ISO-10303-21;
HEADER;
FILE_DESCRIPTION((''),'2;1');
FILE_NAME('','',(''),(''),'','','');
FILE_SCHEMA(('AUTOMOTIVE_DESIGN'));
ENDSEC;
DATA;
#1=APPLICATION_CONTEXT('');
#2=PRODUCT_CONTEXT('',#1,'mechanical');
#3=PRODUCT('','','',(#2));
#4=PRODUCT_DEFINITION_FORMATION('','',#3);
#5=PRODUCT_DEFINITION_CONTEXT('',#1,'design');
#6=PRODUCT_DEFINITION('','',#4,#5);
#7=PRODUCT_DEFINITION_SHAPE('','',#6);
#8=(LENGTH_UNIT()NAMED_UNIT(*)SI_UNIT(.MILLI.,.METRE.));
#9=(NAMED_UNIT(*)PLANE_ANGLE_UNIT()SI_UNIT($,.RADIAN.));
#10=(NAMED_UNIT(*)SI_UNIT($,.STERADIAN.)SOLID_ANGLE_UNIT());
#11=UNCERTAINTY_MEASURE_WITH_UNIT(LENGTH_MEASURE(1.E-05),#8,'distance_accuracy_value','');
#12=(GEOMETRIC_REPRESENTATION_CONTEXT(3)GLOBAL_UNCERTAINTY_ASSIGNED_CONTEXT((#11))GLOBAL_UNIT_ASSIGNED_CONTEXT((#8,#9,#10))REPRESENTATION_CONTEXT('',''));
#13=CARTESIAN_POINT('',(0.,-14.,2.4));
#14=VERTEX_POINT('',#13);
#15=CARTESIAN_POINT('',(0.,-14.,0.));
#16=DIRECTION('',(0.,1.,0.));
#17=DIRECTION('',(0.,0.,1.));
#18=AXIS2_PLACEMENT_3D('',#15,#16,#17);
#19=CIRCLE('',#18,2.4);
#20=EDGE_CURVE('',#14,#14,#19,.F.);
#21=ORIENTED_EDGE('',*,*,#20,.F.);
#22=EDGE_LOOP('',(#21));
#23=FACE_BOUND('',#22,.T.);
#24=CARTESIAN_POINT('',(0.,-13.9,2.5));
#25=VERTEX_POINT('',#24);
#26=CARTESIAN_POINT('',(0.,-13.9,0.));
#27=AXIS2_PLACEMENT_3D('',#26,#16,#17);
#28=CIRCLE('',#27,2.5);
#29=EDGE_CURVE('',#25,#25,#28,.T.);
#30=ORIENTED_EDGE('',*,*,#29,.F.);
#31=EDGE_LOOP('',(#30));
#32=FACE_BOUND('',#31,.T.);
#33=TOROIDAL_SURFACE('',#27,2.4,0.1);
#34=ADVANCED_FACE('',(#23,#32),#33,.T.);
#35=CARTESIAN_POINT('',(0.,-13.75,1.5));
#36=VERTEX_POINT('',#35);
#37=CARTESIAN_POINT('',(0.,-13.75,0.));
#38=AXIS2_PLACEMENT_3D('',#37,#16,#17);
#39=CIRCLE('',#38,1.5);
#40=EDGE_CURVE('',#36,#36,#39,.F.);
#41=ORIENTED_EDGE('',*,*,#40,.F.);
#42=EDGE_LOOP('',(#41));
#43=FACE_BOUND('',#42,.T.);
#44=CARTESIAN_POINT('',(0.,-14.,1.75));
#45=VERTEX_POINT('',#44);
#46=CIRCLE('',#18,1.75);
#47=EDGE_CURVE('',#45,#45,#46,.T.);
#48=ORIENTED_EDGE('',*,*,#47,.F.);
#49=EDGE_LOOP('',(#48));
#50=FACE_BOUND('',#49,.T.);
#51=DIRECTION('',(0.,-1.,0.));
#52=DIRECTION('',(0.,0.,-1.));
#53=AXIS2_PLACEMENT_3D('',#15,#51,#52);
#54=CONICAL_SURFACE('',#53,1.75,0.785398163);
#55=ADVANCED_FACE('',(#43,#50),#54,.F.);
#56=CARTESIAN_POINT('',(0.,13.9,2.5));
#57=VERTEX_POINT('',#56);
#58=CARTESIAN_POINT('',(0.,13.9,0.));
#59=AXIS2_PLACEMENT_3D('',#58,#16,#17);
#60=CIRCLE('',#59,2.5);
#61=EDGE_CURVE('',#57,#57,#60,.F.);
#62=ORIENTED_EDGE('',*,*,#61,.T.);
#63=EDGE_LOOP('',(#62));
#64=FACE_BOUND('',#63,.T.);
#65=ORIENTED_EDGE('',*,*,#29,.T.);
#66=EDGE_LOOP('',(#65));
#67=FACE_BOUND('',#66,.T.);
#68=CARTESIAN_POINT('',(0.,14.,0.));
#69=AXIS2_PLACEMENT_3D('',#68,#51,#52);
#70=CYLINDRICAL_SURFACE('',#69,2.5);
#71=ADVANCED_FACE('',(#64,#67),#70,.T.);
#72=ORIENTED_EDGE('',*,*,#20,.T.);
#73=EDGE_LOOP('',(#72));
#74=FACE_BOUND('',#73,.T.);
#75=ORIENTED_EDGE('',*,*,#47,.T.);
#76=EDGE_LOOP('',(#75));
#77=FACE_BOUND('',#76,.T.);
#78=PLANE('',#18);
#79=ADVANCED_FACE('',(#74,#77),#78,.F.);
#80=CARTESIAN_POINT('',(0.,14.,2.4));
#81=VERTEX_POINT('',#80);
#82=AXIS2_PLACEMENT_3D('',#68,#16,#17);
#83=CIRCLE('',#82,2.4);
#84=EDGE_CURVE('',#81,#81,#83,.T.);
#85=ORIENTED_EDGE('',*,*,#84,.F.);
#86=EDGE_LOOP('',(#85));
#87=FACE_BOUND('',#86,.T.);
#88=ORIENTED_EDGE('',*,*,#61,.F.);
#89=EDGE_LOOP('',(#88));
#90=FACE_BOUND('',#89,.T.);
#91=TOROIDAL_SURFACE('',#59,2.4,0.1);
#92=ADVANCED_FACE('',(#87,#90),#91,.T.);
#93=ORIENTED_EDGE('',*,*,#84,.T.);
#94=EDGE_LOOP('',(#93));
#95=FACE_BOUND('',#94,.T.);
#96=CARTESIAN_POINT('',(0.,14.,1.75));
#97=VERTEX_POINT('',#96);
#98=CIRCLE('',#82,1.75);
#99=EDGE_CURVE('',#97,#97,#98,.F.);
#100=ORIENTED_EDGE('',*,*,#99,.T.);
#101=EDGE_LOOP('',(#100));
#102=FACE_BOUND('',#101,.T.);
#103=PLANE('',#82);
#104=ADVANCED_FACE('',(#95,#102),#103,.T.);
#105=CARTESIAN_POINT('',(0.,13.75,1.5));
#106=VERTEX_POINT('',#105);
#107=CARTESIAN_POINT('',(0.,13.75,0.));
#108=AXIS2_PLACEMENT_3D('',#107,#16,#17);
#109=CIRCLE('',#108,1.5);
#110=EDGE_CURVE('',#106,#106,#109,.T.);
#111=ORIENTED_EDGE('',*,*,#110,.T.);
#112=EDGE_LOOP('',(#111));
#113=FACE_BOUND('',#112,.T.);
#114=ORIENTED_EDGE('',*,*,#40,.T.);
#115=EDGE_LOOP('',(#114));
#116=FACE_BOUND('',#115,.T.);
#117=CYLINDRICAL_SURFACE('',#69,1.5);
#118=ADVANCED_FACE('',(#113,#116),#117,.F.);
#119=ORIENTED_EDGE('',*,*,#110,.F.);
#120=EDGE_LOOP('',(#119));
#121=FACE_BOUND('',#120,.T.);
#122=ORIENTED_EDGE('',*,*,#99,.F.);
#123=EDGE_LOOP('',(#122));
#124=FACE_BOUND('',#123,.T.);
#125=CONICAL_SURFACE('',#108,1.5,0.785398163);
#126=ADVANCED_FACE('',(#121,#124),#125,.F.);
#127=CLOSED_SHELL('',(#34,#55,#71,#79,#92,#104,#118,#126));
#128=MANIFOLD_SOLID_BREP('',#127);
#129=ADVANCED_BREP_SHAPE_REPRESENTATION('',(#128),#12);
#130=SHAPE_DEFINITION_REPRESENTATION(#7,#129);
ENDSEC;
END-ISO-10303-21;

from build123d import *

# Parameters (mm, degrees)
SKETCH1_R           = 2.5
SKETCH1_R_2         = 1.5
BOSS_EXTRUDE1_DEPTH = 14
CHAMFER1_SIZE       = 0.25
FILLET1_R           = 0.1


with BuildPart() as part:
    # Sketch1 → Boss-Extrude1 (new, symmetric)
    with BuildSketch(Plane(origin=(0, 0, 0), x_dir=(1, 0, 0), z_dir=(0, 1, 0))):
        with Locations(Location((0, 0, 0), (0, 0, 270))):
            Circle(SKETCH1_R)
        with Locations(Location((0, 0, 0), (0, 0, 270))):
            Circle(SKETCH1_R_2, mode=Mode.SUBTRACT)
    extrude(amount=BOSS_EXTRUDE1_DEPTH, both=True)

    # Chamfer1
    chamfer1_edges = [part.edges().sort_by_distance(p)[0] for p in [
        (0, -14, -1.5),
        (0, 14, -1.5),
    ]]
    chamfer(chamfer1_edges, length=CHAMFER1_SIZE)

    # Fillet1
    fillet1_edges = [part.edges().sort_by_distance(p)[0] for p in [
        (0, -14, -2.5),
        (0, 14, -2.5),
    ]]
    fillet(fillet1_edges, radius=FILLET1_R)


solid = part.part
